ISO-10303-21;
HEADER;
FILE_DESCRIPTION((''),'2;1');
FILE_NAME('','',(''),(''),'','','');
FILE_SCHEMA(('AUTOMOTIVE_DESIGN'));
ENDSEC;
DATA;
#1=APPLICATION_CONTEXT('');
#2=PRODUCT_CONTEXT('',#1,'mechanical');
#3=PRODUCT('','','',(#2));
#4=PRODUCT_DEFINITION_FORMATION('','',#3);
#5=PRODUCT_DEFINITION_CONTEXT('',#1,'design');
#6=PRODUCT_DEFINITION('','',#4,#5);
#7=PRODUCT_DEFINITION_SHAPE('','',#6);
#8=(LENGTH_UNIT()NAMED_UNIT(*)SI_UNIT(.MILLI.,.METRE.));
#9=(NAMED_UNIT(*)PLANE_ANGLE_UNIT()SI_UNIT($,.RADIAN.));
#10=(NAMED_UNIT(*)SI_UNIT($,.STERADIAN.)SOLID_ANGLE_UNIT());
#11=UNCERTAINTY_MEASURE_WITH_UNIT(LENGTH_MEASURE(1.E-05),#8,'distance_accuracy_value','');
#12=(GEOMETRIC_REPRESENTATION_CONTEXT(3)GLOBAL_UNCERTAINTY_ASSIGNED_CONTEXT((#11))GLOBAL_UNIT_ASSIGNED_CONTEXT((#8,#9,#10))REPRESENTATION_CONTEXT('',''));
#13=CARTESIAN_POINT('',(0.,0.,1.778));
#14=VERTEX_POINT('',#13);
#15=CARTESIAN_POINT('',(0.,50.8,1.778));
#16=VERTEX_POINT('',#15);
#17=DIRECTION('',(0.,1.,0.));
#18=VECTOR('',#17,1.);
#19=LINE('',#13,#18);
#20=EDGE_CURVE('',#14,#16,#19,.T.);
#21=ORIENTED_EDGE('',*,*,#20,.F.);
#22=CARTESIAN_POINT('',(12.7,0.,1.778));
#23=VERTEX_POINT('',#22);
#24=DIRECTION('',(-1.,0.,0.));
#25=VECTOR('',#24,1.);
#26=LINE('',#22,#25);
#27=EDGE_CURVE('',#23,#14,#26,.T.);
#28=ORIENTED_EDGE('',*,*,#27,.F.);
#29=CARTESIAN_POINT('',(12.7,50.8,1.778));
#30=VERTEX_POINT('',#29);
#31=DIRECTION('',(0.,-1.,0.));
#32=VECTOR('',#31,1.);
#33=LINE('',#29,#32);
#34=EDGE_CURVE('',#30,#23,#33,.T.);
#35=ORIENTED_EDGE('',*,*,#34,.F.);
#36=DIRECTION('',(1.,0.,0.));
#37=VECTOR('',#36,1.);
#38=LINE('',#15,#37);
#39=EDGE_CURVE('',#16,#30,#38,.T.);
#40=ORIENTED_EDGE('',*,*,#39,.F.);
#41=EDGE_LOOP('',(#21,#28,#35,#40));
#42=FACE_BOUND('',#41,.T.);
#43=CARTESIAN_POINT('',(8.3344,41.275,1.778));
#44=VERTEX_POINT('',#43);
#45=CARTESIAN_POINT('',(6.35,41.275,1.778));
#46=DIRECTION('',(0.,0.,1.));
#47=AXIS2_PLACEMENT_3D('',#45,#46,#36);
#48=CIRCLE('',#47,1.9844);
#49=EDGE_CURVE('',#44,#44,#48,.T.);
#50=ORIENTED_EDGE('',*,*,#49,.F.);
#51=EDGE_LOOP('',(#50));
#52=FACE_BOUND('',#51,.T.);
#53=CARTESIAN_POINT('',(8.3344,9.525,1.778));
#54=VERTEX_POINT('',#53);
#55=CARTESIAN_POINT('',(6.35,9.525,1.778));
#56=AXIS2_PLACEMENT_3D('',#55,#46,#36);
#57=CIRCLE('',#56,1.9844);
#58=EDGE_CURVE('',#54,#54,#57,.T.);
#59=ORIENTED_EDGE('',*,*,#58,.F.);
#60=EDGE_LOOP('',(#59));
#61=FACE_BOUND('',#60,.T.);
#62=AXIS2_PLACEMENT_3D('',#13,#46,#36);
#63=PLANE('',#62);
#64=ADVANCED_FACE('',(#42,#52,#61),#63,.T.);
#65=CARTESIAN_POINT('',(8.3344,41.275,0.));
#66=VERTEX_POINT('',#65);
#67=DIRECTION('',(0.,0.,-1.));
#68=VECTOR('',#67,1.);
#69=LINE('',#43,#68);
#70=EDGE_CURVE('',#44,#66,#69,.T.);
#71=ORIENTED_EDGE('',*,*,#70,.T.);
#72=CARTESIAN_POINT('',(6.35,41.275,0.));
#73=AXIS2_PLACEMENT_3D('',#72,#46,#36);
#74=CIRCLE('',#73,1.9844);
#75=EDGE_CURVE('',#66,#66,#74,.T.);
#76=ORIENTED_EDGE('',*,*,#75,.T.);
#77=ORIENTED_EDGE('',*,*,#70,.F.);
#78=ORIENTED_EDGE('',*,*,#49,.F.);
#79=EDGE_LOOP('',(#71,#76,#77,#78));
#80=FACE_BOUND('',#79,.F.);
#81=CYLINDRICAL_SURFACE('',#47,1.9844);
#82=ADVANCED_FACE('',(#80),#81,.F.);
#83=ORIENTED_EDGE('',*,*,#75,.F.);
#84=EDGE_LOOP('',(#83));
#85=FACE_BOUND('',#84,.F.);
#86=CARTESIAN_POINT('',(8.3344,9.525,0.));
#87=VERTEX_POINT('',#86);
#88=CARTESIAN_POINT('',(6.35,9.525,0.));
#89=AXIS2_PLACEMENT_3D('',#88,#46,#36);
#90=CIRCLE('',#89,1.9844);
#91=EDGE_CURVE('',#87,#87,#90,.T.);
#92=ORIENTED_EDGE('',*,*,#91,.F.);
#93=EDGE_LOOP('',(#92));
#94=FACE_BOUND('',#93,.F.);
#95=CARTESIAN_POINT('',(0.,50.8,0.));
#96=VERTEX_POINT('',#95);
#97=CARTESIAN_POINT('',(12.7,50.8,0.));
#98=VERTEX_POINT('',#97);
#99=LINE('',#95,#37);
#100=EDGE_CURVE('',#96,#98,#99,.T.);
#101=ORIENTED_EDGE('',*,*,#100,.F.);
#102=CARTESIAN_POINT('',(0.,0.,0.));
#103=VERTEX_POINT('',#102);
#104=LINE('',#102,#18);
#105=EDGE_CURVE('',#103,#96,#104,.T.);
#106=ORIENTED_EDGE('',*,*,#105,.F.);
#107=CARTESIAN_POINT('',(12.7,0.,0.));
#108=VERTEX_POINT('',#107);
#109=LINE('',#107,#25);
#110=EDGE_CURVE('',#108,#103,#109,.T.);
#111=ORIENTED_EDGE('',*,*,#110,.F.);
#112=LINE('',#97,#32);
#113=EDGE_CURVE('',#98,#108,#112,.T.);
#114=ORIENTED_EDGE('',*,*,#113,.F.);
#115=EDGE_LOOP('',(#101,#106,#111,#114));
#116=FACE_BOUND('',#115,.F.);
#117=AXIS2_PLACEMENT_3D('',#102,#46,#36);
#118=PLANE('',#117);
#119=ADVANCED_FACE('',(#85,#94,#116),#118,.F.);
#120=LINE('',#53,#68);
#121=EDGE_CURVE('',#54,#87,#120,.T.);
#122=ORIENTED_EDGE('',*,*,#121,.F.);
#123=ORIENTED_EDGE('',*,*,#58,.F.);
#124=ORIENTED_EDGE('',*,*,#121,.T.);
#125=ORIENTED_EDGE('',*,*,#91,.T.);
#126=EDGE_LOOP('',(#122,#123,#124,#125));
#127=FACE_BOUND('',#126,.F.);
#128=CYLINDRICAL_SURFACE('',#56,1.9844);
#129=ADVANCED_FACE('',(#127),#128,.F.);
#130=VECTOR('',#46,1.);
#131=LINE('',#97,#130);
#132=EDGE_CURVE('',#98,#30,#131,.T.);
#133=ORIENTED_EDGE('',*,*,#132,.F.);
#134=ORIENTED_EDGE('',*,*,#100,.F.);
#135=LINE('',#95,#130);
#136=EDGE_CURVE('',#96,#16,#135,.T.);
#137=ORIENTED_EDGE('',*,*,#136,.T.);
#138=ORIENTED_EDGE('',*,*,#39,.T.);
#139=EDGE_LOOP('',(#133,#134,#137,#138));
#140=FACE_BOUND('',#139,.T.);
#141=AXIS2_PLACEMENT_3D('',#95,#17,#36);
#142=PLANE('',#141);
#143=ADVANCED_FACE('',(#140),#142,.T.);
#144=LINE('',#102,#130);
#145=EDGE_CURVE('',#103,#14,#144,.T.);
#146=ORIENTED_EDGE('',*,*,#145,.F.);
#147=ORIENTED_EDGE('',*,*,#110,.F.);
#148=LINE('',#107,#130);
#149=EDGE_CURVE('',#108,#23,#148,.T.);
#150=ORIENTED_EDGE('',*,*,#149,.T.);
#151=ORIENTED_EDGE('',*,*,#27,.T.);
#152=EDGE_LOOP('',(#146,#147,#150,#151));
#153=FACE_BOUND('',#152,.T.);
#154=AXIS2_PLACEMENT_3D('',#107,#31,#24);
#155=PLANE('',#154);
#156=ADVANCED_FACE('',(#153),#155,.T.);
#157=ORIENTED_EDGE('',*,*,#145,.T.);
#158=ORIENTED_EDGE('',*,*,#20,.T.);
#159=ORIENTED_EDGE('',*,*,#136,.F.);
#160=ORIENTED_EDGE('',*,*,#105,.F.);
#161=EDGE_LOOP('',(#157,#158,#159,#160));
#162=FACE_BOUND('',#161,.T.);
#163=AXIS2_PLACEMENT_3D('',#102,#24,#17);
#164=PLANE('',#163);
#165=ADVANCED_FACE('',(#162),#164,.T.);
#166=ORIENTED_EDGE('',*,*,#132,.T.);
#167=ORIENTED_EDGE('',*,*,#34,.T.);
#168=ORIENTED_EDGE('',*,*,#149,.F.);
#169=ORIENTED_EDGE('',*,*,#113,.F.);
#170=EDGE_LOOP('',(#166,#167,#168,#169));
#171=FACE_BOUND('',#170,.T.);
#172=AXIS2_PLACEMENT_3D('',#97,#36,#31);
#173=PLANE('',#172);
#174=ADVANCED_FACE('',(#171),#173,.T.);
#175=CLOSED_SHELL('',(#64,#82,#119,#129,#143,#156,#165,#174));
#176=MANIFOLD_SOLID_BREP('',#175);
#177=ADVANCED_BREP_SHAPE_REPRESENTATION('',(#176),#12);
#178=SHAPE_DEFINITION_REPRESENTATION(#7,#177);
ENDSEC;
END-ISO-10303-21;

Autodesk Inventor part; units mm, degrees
ref_plane "YZ Plane" through (0, 0, 0) normal (1, 0, 0) x (0, 1, 0)
ref_plane "XZ Plane" through (0, 0, 0) normal (0, 1, 0) x (-1, 0, 0)
ref_plane "XY Plane" through (0, 0, 0) normal (0, 0, 1) x (1, 0, 0)
sketch "Sketch1" plane through (0, 0, 0) normal (0, 0, 1) x (1, 0, 0)
  line L0 (0, 50.8) -> (12.7, 50.8)
  line L1 (12.7, 50.8) -> (12.7, 0)
  line L2 (12.7, 0) -> (0, 0)
  line L3 (0, 0) -> (0, 50.8)
  dimension "d0" = 12.7
  dimension "d1" = 50.8
extrude "Extrusion1" add sketch "Sketch1" along normal blind 1.778
sketch "Sketch2" plane through (0, 0, 1.778) normal (0, 0, 1) x (1, 0, 0)
  line L0 (12.7, 0) -> (0, 0) projected
  circle A0 centre (6.35, 9.525) radius 1.9844
  dimension "d4" = 3.9688
  dimension "d5" = 9.525
extrude "Extrusion2" cut sketch "Sketch2" against normal through all
pattern_linear "Rectangular Pattern1" count 2 spacing 31.75 along (0, 1, 0) of "Extrusion2"
properties part number "SM-M05" material "Steel, Mild"
